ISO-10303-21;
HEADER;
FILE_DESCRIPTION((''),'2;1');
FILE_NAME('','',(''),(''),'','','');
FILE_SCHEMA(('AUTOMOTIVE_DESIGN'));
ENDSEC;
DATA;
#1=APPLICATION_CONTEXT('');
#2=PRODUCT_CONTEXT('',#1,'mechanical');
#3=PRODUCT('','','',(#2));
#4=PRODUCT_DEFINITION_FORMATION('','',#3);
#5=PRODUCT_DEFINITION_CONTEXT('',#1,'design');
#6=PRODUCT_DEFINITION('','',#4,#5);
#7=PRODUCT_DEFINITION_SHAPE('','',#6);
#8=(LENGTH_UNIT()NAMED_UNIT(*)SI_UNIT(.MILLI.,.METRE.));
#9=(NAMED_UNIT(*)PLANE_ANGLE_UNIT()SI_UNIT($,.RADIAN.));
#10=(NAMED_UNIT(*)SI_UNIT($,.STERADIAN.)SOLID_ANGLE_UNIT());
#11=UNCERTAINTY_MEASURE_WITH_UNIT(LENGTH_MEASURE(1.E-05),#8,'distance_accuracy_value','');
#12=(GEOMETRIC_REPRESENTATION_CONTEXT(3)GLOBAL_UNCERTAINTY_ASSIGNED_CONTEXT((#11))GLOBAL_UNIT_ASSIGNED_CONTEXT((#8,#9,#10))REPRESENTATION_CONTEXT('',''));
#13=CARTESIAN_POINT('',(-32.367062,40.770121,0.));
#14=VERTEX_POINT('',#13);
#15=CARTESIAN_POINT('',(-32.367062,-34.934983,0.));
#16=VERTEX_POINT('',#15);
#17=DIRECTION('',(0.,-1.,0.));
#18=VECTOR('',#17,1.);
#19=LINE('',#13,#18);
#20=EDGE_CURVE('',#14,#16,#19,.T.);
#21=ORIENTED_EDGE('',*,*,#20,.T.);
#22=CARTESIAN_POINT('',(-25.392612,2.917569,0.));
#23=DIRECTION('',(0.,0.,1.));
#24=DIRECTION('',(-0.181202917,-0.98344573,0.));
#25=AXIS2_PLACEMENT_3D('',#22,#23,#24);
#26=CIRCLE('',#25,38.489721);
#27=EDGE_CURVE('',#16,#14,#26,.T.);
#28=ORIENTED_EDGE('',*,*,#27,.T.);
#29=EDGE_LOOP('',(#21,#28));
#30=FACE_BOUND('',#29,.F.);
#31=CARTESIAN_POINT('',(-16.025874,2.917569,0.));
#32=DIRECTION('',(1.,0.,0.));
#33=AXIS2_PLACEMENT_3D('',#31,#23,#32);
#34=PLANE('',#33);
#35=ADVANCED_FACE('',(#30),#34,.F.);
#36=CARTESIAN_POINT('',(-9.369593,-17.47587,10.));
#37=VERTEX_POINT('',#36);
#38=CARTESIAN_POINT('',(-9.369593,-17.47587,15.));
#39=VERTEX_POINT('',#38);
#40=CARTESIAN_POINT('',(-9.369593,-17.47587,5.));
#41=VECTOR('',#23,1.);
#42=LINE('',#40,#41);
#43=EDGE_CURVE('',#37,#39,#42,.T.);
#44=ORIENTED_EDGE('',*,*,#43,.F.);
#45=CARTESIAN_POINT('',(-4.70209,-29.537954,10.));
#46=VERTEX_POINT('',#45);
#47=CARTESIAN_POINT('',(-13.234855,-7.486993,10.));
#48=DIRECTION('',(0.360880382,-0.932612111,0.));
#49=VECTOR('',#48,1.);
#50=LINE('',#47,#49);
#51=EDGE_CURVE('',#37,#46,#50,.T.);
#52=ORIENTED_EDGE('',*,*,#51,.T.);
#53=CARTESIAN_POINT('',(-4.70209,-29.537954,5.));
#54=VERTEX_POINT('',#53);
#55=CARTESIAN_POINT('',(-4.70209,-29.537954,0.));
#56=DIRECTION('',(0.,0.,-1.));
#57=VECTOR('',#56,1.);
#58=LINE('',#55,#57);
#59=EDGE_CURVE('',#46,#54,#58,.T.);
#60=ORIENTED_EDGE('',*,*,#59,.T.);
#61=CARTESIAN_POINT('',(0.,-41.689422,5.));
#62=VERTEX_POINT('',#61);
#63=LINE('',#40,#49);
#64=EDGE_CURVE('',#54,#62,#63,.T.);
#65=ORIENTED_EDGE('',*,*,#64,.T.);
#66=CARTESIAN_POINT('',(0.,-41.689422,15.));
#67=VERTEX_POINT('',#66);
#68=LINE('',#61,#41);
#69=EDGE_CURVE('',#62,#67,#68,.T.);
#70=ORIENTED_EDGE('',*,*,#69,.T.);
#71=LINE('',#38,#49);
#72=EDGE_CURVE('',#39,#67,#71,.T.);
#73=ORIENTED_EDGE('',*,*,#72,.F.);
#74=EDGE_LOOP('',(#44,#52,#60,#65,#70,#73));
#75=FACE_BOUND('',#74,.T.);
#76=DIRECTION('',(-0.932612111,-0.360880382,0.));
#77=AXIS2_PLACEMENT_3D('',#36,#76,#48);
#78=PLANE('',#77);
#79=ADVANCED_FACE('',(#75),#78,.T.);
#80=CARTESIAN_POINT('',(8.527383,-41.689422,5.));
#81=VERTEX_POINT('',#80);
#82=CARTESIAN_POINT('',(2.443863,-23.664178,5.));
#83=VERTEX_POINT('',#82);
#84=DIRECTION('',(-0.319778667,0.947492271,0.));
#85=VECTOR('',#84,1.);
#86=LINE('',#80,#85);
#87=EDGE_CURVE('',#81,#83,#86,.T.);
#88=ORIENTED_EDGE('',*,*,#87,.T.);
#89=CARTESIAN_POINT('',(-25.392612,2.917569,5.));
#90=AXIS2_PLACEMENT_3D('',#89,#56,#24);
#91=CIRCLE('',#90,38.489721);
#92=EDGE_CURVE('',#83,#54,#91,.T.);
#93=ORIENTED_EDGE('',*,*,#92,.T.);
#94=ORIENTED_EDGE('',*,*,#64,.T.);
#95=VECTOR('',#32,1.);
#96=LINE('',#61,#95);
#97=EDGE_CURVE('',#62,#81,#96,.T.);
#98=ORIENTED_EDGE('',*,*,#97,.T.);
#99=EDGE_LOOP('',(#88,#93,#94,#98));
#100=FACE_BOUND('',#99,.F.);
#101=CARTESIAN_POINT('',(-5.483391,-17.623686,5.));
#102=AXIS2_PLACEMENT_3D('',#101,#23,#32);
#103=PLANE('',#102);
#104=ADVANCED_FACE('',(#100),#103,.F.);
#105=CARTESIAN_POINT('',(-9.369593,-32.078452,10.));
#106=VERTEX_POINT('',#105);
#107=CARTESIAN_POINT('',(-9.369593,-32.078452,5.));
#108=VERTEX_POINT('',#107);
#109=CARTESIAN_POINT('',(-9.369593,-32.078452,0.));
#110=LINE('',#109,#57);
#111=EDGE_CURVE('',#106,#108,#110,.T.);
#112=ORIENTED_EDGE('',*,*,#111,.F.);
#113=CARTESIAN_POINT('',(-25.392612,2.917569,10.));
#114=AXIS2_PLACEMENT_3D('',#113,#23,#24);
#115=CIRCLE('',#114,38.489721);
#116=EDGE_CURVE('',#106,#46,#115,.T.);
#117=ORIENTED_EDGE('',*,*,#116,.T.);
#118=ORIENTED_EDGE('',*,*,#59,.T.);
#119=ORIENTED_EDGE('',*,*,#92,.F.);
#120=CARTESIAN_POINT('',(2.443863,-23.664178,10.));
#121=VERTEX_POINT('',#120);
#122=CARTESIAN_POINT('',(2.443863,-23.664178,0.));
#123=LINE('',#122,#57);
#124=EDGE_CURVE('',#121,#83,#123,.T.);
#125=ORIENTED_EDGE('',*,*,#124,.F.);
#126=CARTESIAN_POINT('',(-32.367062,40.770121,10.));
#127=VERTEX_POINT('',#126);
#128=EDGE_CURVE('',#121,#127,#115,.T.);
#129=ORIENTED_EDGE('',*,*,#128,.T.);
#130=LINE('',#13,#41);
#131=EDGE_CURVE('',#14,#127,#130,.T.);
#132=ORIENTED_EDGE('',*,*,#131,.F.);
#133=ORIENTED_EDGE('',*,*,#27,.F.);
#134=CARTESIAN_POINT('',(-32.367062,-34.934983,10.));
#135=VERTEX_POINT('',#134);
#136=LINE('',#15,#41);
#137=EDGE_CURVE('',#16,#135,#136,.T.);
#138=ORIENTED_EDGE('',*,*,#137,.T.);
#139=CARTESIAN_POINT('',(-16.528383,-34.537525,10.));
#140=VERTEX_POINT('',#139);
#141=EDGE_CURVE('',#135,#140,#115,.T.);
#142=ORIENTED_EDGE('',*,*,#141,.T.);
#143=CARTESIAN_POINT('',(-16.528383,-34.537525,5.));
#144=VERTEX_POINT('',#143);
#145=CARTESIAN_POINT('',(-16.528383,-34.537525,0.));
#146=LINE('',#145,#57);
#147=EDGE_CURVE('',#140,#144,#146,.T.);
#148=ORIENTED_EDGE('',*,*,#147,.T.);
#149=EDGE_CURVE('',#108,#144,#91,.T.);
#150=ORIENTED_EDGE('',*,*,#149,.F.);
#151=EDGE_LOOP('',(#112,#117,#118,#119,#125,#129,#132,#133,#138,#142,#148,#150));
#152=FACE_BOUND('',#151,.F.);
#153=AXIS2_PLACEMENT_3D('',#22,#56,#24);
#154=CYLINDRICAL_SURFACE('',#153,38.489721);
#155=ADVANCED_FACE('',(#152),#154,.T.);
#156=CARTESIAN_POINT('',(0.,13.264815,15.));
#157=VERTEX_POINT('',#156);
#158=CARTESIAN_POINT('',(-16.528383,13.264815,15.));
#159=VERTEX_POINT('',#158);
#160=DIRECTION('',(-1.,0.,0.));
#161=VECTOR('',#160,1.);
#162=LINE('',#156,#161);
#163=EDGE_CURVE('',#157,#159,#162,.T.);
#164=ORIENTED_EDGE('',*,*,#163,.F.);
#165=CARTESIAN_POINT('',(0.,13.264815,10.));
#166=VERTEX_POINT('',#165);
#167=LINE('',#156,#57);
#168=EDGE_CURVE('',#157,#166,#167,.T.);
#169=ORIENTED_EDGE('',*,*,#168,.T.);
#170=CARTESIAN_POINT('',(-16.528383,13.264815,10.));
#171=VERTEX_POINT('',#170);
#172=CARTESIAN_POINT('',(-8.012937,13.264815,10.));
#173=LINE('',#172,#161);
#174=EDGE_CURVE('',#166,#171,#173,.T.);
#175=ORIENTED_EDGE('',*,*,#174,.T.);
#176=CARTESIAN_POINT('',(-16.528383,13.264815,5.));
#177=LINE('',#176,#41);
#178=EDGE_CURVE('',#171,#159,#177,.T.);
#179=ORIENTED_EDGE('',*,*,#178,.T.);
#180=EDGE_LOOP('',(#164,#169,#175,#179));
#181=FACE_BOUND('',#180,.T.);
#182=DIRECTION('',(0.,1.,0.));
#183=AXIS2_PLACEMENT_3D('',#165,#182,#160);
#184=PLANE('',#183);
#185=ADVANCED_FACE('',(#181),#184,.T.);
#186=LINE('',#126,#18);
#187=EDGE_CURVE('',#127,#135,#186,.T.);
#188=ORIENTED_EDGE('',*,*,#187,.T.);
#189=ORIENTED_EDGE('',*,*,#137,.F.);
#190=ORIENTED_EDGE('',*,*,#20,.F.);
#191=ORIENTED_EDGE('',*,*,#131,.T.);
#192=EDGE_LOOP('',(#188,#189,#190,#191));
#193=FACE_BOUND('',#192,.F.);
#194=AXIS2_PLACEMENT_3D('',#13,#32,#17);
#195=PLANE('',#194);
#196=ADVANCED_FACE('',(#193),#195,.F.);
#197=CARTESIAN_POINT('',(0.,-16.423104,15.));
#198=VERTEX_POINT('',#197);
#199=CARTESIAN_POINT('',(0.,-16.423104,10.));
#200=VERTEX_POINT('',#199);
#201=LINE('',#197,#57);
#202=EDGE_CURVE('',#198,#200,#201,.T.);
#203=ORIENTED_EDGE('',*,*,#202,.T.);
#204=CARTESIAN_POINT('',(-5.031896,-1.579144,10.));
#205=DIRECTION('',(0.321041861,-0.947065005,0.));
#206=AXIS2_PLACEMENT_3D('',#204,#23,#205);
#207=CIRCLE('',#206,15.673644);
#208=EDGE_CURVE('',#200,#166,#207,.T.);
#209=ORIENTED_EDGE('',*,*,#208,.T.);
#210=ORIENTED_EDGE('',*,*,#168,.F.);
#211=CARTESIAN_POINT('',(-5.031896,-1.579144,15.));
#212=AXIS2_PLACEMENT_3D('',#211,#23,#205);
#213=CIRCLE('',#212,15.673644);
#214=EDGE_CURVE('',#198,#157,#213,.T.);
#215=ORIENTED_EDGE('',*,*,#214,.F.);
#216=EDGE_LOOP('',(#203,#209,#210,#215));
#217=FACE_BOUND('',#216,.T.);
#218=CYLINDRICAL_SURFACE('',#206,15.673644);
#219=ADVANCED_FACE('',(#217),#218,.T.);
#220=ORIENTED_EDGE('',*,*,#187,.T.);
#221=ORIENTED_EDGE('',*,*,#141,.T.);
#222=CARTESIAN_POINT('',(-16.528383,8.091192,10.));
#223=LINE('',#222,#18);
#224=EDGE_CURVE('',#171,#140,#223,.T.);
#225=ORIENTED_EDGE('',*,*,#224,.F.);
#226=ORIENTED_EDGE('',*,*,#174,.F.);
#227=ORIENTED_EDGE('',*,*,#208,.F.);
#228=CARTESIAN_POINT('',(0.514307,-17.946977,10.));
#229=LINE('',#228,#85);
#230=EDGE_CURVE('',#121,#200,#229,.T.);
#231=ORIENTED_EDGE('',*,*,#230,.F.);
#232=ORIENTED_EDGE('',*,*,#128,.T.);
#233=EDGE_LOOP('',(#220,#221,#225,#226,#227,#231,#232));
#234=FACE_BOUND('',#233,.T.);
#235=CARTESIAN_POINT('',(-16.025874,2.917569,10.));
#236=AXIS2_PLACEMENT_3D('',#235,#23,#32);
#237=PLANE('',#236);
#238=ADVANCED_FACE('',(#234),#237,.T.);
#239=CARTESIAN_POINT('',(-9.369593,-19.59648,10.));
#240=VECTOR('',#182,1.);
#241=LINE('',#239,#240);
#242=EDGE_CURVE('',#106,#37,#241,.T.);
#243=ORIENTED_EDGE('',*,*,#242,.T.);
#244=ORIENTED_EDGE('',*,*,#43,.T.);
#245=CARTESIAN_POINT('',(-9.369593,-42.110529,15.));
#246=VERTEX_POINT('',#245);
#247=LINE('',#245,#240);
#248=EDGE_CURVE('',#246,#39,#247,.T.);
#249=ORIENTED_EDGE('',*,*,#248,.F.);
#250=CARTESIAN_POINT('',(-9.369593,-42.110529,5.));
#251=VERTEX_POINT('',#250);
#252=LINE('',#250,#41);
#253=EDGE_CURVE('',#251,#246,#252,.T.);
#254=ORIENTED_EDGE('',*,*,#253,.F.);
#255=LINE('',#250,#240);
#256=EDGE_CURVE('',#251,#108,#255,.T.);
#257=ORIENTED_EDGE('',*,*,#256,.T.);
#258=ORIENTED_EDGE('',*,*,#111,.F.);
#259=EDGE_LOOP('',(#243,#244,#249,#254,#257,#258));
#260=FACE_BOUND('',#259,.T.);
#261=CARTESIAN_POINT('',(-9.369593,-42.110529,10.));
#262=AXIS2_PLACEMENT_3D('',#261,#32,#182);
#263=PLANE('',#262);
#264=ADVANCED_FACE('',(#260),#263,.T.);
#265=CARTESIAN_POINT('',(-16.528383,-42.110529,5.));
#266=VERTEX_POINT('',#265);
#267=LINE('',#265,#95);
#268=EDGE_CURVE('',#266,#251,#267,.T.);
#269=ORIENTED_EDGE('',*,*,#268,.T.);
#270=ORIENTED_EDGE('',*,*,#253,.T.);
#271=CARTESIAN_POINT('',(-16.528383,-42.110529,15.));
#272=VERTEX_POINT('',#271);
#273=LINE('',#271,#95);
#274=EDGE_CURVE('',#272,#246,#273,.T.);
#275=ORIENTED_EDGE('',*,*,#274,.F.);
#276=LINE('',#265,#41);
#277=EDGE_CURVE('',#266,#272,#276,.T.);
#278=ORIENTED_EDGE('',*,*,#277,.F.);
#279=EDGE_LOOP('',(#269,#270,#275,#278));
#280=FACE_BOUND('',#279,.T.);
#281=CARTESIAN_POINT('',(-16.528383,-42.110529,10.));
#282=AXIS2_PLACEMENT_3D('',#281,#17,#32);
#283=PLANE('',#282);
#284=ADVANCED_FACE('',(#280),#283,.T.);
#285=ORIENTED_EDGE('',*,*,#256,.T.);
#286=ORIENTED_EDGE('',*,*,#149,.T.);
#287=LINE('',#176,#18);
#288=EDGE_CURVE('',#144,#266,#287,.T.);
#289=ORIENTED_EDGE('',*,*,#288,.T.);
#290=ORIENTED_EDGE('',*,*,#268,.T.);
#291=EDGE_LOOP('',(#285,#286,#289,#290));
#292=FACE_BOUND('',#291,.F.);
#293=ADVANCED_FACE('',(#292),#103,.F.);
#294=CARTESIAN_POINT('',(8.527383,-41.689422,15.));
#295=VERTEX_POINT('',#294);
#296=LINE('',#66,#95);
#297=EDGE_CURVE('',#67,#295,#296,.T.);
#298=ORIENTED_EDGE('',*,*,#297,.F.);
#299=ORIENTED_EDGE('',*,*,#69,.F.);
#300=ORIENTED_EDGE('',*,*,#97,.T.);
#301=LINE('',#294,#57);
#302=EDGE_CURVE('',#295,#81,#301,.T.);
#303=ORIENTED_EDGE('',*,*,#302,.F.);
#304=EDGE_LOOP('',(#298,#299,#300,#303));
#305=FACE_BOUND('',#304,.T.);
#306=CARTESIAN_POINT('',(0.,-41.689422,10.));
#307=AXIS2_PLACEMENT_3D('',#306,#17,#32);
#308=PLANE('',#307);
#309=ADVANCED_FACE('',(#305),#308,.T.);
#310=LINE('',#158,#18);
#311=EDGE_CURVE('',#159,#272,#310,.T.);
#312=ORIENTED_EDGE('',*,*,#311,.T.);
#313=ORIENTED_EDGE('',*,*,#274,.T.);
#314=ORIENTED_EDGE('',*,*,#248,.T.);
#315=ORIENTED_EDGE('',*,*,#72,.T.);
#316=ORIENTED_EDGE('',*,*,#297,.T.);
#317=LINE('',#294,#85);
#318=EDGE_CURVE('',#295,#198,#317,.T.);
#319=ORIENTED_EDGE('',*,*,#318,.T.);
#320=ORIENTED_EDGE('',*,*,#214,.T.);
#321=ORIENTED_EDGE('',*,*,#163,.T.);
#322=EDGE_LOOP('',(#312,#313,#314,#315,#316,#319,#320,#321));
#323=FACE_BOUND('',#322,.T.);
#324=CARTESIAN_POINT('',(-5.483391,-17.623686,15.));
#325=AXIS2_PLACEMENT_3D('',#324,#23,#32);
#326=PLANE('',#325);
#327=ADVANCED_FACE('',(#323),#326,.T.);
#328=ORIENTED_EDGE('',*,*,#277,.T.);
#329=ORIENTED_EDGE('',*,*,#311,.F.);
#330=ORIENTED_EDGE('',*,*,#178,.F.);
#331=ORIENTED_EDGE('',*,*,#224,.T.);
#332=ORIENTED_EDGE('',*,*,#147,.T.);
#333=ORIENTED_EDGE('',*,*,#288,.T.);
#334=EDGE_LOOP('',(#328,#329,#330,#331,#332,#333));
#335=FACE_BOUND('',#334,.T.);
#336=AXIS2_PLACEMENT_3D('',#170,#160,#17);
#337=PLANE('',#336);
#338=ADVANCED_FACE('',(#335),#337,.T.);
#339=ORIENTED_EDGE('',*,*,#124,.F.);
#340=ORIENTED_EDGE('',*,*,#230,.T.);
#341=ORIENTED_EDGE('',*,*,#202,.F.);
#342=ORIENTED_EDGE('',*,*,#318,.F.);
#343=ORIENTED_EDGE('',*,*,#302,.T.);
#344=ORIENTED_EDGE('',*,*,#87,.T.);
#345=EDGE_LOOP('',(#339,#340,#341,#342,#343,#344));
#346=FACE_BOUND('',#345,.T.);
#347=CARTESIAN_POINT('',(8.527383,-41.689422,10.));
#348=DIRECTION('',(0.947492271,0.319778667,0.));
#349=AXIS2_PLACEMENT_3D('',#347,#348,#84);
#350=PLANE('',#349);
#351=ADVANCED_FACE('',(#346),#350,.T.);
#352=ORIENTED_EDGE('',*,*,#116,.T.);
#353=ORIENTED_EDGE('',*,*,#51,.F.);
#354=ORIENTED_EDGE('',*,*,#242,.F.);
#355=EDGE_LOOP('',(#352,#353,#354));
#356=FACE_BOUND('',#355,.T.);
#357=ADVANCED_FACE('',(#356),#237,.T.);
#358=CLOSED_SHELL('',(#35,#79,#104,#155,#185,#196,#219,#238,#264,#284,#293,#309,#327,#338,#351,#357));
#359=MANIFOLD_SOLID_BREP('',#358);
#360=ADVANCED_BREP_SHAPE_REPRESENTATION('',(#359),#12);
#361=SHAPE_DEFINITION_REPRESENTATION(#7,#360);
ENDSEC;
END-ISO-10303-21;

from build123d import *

# Parameters (mm, degrees)
F1_DEPTH = 10
F3_DEPTH = 5


with BuildPart() as f1:
    # F0 (on Top) → F1 (new body)
    with BuildSketch(Plane.XY):
        with BuildLine():
            ThreePointArc((-32.367062, -34.934983), (13.097109, 2.917569), (-32.367062, 40.770121))
            Line((-32.367062, 40.770121), (-32.367062, -34.934983))
        make_face()
    extrude(amount=F1_DEPTH)

    # F2 (on face) → F3 (join, symmetric)
    with BuildSketch(Plane.XY.offset(10)):
        with BuildLine():
            Line((0, 13.264815), (-16.528383, 13.264815))
            Line((-16.528383, 13.264815), (-16.528383, -42.110529))
            Line((-16.528383, -42.110529), (-9.369593, -42.110529))
            Line((-9.369593, -42.110529), (-9.369593, -17.47587))
            Line((-9.369593, -17.47587), (0, -41.689422))
            Line((0, -41.689422), (8.527383, -41.689422))
            Line((8.527383, -41.689422), (0, -16.423104))
            ThreePointArc((0, -16.423104), (10.641748, -1.579145), (0, 13.264815))
        make_face()
    extrude(amount=F3_DEPTH, both=True)


solid = f1.part
